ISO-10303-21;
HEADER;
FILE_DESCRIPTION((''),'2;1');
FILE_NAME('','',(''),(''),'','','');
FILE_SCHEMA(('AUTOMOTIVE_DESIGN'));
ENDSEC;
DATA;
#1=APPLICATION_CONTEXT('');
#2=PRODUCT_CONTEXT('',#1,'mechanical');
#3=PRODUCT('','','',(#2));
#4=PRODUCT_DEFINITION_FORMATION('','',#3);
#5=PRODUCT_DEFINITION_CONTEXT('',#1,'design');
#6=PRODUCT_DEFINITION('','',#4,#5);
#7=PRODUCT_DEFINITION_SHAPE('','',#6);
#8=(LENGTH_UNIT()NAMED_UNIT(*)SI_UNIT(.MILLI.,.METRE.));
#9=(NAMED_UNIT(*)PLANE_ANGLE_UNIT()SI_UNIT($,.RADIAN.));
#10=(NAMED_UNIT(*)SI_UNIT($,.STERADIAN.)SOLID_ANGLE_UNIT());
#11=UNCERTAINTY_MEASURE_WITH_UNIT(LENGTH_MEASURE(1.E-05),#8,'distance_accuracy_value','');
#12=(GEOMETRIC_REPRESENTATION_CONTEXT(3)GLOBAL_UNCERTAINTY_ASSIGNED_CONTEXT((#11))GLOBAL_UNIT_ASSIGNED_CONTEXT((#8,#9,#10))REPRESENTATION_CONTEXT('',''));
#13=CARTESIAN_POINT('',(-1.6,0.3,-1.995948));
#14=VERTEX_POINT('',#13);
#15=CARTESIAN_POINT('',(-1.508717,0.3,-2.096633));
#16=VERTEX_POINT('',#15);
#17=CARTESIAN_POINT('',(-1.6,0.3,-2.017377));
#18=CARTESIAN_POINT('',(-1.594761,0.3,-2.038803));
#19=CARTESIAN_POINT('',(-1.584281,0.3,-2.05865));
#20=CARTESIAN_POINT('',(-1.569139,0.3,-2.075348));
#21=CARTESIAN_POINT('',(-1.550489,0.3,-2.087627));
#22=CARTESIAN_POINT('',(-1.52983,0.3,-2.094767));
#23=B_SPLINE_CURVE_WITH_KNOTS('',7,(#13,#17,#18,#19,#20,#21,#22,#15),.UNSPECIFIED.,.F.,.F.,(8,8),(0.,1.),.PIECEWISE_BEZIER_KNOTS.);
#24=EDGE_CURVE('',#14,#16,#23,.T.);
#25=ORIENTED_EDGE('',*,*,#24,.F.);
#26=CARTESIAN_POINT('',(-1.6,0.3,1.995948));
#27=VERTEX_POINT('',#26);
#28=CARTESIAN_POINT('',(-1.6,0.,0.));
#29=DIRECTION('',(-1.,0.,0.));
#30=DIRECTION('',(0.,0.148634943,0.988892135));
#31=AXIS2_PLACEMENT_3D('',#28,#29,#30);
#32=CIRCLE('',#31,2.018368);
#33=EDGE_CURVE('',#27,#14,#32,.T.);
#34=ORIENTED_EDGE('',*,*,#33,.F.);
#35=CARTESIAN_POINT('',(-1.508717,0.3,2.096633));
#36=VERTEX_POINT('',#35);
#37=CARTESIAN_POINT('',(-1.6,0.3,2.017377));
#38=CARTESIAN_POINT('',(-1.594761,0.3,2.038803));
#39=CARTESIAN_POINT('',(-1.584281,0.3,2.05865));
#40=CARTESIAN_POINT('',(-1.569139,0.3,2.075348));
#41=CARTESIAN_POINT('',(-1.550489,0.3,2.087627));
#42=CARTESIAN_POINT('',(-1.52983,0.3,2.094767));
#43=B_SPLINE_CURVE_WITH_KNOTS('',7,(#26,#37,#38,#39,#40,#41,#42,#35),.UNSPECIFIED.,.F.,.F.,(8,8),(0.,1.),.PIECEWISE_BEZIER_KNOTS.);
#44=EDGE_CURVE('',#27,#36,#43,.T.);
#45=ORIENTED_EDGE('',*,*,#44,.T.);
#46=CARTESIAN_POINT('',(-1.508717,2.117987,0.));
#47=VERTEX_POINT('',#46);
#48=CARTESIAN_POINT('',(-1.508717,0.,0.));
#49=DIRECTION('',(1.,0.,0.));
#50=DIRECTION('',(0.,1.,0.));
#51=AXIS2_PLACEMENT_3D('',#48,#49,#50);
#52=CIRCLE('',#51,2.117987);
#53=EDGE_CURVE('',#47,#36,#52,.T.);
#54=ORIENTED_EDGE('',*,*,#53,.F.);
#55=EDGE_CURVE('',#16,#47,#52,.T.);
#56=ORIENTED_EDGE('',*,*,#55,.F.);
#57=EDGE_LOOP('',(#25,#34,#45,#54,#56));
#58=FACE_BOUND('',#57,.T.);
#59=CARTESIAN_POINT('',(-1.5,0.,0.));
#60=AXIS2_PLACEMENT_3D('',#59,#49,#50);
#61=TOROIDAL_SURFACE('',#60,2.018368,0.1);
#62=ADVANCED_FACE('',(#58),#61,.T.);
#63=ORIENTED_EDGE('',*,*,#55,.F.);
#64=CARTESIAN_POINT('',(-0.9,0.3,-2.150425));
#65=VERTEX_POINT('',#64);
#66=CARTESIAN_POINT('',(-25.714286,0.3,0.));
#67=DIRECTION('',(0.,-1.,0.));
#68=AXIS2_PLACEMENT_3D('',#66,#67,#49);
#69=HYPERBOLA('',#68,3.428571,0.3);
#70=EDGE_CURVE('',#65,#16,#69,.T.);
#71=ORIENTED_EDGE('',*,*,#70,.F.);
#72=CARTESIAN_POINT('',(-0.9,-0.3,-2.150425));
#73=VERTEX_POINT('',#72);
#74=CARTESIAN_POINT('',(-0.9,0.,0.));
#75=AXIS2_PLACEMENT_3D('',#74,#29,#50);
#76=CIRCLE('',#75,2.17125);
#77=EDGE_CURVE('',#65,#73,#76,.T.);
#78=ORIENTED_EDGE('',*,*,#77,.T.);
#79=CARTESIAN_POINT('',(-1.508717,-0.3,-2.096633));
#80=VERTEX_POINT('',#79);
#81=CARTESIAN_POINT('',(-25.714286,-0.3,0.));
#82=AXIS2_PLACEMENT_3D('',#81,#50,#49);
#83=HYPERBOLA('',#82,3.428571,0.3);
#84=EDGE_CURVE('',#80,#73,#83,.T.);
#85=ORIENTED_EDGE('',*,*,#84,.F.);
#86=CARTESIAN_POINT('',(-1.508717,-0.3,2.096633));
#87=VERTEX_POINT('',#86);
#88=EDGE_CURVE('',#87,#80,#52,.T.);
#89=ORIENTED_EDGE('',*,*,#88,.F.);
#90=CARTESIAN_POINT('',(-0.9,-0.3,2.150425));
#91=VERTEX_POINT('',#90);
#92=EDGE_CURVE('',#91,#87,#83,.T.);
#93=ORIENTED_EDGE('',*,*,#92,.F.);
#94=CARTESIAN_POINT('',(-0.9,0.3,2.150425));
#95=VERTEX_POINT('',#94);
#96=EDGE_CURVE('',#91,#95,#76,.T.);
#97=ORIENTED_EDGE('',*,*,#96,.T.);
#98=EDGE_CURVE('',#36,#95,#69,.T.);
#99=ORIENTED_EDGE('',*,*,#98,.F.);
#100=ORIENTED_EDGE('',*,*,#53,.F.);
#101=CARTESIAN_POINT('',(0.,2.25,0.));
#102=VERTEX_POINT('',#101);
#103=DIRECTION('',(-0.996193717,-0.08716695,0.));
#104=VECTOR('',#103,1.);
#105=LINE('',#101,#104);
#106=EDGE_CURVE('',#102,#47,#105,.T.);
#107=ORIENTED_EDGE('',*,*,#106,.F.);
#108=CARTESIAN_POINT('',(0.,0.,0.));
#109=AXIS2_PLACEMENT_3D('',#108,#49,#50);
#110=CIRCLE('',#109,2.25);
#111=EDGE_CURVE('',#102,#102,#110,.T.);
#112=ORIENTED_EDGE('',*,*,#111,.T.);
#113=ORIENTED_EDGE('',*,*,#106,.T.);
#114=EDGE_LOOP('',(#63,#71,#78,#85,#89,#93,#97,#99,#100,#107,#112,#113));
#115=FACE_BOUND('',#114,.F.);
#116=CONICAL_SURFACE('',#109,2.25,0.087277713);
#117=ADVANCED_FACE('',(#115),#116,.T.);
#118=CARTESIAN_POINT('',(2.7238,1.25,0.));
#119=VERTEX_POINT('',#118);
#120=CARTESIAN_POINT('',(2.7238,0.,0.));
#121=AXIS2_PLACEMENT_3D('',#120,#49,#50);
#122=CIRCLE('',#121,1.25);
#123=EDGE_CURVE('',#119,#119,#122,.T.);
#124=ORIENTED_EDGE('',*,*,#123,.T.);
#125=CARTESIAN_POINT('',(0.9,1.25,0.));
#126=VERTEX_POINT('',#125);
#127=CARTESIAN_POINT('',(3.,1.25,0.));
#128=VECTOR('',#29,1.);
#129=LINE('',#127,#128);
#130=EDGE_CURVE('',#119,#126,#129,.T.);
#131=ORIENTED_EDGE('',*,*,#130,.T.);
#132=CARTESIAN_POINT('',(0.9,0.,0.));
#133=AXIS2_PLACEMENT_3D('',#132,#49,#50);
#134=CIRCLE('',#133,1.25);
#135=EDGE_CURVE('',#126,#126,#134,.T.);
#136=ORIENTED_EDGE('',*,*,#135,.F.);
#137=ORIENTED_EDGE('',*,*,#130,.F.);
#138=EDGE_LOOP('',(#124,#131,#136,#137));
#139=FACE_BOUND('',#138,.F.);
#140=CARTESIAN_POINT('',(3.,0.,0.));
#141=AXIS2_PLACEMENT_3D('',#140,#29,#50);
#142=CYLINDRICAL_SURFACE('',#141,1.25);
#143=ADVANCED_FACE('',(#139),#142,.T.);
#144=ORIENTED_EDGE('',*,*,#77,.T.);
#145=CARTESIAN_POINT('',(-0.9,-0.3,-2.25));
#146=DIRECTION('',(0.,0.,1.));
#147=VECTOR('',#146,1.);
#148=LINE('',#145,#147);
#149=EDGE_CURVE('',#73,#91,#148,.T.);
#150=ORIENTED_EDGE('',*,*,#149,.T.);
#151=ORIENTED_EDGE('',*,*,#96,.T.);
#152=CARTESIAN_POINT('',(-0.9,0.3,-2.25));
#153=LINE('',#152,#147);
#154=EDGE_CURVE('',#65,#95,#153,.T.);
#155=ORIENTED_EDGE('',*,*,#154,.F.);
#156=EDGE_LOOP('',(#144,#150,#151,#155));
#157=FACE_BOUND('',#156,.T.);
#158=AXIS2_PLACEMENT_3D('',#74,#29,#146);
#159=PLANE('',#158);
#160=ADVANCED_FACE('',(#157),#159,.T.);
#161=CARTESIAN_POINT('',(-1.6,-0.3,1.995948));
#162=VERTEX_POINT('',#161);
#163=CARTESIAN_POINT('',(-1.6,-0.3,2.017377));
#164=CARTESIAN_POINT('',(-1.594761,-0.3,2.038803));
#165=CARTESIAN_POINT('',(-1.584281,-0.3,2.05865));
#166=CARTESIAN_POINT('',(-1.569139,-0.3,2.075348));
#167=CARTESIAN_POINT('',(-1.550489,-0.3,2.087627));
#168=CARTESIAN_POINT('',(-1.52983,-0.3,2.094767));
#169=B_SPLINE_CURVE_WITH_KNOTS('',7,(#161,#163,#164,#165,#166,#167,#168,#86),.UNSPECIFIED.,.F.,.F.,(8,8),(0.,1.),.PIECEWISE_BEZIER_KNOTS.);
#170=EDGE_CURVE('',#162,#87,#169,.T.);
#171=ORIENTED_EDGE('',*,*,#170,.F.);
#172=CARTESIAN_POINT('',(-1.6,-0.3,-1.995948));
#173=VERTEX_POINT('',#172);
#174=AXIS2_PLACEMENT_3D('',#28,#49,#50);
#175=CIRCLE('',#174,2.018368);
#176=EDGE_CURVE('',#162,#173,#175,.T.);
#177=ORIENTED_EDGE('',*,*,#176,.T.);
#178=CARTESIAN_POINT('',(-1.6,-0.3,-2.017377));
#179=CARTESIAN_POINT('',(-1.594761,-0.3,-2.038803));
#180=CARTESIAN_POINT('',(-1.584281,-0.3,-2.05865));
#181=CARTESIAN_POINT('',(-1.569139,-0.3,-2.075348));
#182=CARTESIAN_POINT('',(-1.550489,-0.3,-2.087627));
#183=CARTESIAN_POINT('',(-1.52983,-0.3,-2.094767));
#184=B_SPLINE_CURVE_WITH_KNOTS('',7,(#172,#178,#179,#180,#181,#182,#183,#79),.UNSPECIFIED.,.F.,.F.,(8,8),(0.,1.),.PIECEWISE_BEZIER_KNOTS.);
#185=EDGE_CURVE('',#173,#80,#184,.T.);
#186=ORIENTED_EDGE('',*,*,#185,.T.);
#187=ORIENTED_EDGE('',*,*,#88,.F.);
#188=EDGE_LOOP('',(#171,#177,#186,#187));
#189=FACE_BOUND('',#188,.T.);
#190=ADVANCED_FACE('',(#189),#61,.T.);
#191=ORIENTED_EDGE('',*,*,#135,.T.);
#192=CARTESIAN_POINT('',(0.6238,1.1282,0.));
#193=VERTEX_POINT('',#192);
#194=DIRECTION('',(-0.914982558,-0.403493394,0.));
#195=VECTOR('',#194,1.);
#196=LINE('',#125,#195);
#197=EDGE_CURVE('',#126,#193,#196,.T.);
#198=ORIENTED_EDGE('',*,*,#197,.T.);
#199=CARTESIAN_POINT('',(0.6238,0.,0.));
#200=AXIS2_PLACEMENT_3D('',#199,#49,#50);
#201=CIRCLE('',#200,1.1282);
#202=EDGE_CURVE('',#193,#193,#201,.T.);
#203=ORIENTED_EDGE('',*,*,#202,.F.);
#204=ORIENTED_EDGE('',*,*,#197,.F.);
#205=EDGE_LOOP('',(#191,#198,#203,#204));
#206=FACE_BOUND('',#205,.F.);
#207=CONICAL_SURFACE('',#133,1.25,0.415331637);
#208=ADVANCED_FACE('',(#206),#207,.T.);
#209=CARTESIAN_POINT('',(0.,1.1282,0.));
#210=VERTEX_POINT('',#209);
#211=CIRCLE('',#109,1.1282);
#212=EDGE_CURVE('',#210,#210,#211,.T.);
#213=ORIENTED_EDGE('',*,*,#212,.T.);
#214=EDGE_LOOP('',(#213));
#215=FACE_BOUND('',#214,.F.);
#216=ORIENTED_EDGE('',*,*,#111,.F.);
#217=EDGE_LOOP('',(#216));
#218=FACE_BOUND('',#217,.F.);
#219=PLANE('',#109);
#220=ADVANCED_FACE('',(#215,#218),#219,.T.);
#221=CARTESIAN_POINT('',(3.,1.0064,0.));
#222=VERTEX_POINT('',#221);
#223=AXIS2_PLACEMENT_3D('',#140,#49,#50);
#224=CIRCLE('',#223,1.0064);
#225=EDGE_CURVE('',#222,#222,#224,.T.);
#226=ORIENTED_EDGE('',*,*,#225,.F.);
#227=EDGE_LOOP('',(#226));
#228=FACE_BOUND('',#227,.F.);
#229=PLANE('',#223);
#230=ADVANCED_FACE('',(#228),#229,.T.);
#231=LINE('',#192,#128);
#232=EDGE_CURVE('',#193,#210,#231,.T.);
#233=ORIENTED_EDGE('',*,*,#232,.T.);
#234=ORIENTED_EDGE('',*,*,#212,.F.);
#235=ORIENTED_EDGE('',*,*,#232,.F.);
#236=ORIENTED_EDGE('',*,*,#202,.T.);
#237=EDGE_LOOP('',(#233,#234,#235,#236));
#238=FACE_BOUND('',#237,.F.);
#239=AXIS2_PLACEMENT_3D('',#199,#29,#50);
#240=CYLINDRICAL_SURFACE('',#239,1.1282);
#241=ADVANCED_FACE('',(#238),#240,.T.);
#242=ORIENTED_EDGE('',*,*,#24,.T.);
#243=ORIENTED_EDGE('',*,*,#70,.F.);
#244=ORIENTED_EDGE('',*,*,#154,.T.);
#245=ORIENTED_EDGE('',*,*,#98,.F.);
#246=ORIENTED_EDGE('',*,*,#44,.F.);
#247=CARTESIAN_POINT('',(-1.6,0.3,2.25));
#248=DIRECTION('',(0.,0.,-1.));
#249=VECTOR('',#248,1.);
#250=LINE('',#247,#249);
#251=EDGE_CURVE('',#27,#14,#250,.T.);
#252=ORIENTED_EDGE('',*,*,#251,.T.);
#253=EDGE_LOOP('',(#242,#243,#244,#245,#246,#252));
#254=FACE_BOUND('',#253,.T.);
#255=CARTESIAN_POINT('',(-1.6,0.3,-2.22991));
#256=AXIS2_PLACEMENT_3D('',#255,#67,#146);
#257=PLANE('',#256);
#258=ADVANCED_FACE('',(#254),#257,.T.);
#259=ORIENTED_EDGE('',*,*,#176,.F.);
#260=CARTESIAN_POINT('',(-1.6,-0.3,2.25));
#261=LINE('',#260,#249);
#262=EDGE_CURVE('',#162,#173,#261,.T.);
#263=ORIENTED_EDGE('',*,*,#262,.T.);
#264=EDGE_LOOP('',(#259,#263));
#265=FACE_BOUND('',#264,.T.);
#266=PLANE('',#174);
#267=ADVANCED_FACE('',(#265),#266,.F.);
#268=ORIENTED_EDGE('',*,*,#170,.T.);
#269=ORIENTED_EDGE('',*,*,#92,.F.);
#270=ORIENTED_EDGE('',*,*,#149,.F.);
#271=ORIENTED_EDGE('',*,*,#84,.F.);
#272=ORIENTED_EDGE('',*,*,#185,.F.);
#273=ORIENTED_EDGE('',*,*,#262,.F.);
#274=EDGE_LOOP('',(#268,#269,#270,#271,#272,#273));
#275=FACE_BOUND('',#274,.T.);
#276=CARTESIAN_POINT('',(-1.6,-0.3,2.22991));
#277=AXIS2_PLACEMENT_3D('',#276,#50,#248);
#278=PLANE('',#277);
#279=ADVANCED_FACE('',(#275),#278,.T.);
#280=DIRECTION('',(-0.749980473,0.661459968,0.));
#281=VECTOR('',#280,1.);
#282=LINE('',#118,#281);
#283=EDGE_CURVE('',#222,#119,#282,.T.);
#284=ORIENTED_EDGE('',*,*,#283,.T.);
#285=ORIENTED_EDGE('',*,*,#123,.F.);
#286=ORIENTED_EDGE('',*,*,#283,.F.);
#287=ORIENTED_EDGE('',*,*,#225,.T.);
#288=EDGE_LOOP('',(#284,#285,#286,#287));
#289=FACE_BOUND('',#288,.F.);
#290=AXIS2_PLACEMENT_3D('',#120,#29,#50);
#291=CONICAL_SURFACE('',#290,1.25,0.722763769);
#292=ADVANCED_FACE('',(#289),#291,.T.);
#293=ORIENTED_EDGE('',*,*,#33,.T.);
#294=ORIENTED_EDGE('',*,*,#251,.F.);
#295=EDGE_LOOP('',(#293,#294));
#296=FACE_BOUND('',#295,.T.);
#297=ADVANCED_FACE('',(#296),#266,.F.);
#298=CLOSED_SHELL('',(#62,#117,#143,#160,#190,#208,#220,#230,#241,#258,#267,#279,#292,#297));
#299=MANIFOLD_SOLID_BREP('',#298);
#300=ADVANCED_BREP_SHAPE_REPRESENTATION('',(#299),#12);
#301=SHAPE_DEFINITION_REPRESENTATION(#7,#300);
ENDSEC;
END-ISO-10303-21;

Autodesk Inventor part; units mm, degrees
ref_plane "YZ Plane" through (0, 0, 0) normal (1, 0, 0) x (0, 1, 0)
ref_plane "XZ Plane" through (0, 0, 0) normal (0, 1, 0) x (-1, 0, 0)
sketch "Sketch1" plane through (0, 0, 0) normal (0, 0, 1) x (1, 0, 0)
  line L0 (-1.6, 0) -> (3, 0)
  line L1 (3, 0) -> (3, 1.25)
  line L2 (3, 1.25) -> (0.9, 1.25)
  line L3 (0.9, 1.25) -> (0.6238, 1.1282)
  line L4 (0.6238, 1.1282) -> (0, 1.1282)
  line L5 (0, 1.1282) -> (0, 2.25)
  line L6 (-2.52, 0) -> (3.92, 0) projected
  line L7 (0, -0.45) -> (0, 2.7) projected
  line L8 (-1.6, 0) -> (-1.6, 2.11)
  line L9 (0, 2.25) -> (-1.6, 2.11)
  line L10 (0.9, 1.25) -> (0, 1.25) construction
  dimension "d0" = 3
  dimension "d1" = 2.1
  dimension "d2" = 0.2762
  dimension "d3" = 1.6
  dimension "d4" = 2.5
  dimension "d5" = 2.2564
  dimension "d9" = 4.5
  dimension "d10" = 5
revolve "Body" add sketch "Sketch1" angle 360 about axis through (-1.6, 0, 0) along (1, 0, 0)
sketch "Sketch2" plane through (-1.6, 0, 0) normal (-1, 0, 0) x (0, 0, 1)
  circle A0 centre (0, 0) radius 2.25 projected
  line L0 (0, 0) -> (0, 2.11) projected
  line L1 (-2.25, 0.3) -> (2.25, 0.3)
  line L2 (2.25, 0.3) -> (2.25, -0.3)
  line L3 (2.25, -0.3) -> (-2.25, -0.3)
  line L4 (-2.25, -0.3) -> (-2.25, 0.3)
  line L5 (-2.25, 0) -> (2.25, 0) construction
  line L6 (0, 0.3) -> (0, -0.3) construction
  dimension "d11" = 0.6
  dimension "d12" = 4.5
fillet "Fillet1" radius 0.1 1 edges at (-1.6, -2.11, 0)
extrude "Slot" cut sketch "Sketch2" against normal blind 0.7 contours A0 L3 L1 | L2 L3 A0 | A0 L1 L2 | A0 L4 L1 | L3 L4 A0
thread "Thread" size "M2.5x0.45" class "6g" standard "ISO Metric profile" length 2.1
chamfer "Chamfer1" distance 0.2436 distance2 0.2762 1 edges at (3, -1.25, 0) measured on face at (3, 0.3871, -0.3429)
ref_plane "Work Plane1" through (30.1625, 0, 0) normal (0, 0, -1) x (1, 0, 0)
equation "\"d11\" = SBR"
equation "\"d12\" = KOD"
equation "\"d14\" = RR"
equation "\"d19\" = STI"
equation "\"d15\" = GEL"
equation "\"d17\" = -0.5 * SPD + 0.5 * GD"
equation "\"d0\" = NLG"
equation "\"d1\" = GEL"
equation "\"d3\" = KOH"
equation "\"d4\" = GD"
equation "\"d5\" = BDM"
equation "\"d9\" = KOD"
equation "\"d10\" = KEWI"
equation "\"GD\" = 2.5"
equation "\"NLG\" = 3"
equation "\"GEL\" = 2.1"
equation "\"KOD\" = 4.5"
equation "\"KOH\" = 1.6"
equation "\"GAL\" = 0.61345 * PTC"
equation "\"SPD\" = 2.01286"
equation "\"BDM\" = 2.25643"
equation "\"GUL\" = 0.61345 * PTC"
equation "\"RR\" = 0.1"
equation "\"SBR\" = 0.6"
equation "\"STI\" = 0.7"
equation "\"KEWI\" = 5deg"
equation "\"PTC\" = 0.45"
equation "\"THREADDIA\" = 2.5"
equation "\"TOA\" = 30deg"
equation "\"NND\" = 2.5"
equation "\"GD1\" = THREADDIA - 1.2269 * PTC"
properties part number "DIN 84 - M2.5 x 3" material "Steel, Mild"
